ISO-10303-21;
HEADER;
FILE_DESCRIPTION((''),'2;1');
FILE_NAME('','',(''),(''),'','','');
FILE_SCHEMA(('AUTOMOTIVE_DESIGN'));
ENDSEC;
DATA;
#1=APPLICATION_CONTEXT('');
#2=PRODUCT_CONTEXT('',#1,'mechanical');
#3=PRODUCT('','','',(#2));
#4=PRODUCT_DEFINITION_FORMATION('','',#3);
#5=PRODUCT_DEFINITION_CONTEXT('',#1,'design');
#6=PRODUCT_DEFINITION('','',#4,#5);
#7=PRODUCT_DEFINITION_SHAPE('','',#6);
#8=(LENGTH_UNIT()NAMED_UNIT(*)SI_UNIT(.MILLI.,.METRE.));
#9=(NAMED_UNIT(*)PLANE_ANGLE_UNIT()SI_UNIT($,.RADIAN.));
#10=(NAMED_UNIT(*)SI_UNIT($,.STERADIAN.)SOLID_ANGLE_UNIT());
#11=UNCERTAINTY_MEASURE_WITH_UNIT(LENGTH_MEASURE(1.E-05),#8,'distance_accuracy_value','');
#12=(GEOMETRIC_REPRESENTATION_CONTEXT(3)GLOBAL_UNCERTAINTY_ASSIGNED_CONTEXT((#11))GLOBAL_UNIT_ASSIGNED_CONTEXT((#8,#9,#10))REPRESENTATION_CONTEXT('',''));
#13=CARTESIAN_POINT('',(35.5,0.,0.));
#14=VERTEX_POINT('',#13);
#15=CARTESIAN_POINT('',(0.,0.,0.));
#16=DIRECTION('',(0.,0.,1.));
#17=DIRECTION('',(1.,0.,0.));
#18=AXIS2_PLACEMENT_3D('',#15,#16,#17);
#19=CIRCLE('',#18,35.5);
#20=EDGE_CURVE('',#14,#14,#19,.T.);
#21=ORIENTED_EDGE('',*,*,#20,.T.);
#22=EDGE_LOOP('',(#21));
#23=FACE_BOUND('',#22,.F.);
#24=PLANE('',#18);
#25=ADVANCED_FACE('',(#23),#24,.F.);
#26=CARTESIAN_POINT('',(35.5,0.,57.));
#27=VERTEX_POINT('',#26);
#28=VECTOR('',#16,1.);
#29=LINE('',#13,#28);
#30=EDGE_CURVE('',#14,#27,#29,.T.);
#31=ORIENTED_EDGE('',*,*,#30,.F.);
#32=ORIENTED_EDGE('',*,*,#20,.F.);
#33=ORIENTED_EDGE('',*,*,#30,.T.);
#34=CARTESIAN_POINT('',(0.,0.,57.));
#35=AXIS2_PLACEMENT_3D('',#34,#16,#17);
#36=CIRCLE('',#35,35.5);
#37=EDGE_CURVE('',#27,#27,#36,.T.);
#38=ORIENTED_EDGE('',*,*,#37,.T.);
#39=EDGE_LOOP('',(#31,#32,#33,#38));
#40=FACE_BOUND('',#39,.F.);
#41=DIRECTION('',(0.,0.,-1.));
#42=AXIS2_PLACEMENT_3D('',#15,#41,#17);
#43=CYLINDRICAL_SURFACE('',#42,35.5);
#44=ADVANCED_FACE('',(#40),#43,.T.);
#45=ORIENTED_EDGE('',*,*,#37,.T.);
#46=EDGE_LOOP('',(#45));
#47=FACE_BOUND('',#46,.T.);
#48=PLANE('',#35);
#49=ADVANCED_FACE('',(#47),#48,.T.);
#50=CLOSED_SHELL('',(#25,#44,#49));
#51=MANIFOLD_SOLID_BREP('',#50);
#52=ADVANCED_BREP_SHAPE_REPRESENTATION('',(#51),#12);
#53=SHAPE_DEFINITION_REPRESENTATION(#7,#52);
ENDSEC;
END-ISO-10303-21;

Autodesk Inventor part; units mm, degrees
ref_plane "YZ Plane" through (0, 0, 0) normal (1, 0, 0) x (0, 1, 0)
ref_plane "XZ Plane" through (0, 0, 0) normal (0, 1, 0) x (-1, 0, 0)
ref_plane "XY Plane" through (0, 0, 0) normal (0, 0, 1) x (1, 0, 0)
sketch "Sketch1" plane through (0, 0, 0) normal (0, 0, 1) x (1, 0, 0)
  circle A0 centre (0, 0) radius 35.5
  dimension "d0" = 71
extrude "Extrusion1" add sketch "Sketch1" along normal blind 57
properties part number "PaddleRotatingZone"
